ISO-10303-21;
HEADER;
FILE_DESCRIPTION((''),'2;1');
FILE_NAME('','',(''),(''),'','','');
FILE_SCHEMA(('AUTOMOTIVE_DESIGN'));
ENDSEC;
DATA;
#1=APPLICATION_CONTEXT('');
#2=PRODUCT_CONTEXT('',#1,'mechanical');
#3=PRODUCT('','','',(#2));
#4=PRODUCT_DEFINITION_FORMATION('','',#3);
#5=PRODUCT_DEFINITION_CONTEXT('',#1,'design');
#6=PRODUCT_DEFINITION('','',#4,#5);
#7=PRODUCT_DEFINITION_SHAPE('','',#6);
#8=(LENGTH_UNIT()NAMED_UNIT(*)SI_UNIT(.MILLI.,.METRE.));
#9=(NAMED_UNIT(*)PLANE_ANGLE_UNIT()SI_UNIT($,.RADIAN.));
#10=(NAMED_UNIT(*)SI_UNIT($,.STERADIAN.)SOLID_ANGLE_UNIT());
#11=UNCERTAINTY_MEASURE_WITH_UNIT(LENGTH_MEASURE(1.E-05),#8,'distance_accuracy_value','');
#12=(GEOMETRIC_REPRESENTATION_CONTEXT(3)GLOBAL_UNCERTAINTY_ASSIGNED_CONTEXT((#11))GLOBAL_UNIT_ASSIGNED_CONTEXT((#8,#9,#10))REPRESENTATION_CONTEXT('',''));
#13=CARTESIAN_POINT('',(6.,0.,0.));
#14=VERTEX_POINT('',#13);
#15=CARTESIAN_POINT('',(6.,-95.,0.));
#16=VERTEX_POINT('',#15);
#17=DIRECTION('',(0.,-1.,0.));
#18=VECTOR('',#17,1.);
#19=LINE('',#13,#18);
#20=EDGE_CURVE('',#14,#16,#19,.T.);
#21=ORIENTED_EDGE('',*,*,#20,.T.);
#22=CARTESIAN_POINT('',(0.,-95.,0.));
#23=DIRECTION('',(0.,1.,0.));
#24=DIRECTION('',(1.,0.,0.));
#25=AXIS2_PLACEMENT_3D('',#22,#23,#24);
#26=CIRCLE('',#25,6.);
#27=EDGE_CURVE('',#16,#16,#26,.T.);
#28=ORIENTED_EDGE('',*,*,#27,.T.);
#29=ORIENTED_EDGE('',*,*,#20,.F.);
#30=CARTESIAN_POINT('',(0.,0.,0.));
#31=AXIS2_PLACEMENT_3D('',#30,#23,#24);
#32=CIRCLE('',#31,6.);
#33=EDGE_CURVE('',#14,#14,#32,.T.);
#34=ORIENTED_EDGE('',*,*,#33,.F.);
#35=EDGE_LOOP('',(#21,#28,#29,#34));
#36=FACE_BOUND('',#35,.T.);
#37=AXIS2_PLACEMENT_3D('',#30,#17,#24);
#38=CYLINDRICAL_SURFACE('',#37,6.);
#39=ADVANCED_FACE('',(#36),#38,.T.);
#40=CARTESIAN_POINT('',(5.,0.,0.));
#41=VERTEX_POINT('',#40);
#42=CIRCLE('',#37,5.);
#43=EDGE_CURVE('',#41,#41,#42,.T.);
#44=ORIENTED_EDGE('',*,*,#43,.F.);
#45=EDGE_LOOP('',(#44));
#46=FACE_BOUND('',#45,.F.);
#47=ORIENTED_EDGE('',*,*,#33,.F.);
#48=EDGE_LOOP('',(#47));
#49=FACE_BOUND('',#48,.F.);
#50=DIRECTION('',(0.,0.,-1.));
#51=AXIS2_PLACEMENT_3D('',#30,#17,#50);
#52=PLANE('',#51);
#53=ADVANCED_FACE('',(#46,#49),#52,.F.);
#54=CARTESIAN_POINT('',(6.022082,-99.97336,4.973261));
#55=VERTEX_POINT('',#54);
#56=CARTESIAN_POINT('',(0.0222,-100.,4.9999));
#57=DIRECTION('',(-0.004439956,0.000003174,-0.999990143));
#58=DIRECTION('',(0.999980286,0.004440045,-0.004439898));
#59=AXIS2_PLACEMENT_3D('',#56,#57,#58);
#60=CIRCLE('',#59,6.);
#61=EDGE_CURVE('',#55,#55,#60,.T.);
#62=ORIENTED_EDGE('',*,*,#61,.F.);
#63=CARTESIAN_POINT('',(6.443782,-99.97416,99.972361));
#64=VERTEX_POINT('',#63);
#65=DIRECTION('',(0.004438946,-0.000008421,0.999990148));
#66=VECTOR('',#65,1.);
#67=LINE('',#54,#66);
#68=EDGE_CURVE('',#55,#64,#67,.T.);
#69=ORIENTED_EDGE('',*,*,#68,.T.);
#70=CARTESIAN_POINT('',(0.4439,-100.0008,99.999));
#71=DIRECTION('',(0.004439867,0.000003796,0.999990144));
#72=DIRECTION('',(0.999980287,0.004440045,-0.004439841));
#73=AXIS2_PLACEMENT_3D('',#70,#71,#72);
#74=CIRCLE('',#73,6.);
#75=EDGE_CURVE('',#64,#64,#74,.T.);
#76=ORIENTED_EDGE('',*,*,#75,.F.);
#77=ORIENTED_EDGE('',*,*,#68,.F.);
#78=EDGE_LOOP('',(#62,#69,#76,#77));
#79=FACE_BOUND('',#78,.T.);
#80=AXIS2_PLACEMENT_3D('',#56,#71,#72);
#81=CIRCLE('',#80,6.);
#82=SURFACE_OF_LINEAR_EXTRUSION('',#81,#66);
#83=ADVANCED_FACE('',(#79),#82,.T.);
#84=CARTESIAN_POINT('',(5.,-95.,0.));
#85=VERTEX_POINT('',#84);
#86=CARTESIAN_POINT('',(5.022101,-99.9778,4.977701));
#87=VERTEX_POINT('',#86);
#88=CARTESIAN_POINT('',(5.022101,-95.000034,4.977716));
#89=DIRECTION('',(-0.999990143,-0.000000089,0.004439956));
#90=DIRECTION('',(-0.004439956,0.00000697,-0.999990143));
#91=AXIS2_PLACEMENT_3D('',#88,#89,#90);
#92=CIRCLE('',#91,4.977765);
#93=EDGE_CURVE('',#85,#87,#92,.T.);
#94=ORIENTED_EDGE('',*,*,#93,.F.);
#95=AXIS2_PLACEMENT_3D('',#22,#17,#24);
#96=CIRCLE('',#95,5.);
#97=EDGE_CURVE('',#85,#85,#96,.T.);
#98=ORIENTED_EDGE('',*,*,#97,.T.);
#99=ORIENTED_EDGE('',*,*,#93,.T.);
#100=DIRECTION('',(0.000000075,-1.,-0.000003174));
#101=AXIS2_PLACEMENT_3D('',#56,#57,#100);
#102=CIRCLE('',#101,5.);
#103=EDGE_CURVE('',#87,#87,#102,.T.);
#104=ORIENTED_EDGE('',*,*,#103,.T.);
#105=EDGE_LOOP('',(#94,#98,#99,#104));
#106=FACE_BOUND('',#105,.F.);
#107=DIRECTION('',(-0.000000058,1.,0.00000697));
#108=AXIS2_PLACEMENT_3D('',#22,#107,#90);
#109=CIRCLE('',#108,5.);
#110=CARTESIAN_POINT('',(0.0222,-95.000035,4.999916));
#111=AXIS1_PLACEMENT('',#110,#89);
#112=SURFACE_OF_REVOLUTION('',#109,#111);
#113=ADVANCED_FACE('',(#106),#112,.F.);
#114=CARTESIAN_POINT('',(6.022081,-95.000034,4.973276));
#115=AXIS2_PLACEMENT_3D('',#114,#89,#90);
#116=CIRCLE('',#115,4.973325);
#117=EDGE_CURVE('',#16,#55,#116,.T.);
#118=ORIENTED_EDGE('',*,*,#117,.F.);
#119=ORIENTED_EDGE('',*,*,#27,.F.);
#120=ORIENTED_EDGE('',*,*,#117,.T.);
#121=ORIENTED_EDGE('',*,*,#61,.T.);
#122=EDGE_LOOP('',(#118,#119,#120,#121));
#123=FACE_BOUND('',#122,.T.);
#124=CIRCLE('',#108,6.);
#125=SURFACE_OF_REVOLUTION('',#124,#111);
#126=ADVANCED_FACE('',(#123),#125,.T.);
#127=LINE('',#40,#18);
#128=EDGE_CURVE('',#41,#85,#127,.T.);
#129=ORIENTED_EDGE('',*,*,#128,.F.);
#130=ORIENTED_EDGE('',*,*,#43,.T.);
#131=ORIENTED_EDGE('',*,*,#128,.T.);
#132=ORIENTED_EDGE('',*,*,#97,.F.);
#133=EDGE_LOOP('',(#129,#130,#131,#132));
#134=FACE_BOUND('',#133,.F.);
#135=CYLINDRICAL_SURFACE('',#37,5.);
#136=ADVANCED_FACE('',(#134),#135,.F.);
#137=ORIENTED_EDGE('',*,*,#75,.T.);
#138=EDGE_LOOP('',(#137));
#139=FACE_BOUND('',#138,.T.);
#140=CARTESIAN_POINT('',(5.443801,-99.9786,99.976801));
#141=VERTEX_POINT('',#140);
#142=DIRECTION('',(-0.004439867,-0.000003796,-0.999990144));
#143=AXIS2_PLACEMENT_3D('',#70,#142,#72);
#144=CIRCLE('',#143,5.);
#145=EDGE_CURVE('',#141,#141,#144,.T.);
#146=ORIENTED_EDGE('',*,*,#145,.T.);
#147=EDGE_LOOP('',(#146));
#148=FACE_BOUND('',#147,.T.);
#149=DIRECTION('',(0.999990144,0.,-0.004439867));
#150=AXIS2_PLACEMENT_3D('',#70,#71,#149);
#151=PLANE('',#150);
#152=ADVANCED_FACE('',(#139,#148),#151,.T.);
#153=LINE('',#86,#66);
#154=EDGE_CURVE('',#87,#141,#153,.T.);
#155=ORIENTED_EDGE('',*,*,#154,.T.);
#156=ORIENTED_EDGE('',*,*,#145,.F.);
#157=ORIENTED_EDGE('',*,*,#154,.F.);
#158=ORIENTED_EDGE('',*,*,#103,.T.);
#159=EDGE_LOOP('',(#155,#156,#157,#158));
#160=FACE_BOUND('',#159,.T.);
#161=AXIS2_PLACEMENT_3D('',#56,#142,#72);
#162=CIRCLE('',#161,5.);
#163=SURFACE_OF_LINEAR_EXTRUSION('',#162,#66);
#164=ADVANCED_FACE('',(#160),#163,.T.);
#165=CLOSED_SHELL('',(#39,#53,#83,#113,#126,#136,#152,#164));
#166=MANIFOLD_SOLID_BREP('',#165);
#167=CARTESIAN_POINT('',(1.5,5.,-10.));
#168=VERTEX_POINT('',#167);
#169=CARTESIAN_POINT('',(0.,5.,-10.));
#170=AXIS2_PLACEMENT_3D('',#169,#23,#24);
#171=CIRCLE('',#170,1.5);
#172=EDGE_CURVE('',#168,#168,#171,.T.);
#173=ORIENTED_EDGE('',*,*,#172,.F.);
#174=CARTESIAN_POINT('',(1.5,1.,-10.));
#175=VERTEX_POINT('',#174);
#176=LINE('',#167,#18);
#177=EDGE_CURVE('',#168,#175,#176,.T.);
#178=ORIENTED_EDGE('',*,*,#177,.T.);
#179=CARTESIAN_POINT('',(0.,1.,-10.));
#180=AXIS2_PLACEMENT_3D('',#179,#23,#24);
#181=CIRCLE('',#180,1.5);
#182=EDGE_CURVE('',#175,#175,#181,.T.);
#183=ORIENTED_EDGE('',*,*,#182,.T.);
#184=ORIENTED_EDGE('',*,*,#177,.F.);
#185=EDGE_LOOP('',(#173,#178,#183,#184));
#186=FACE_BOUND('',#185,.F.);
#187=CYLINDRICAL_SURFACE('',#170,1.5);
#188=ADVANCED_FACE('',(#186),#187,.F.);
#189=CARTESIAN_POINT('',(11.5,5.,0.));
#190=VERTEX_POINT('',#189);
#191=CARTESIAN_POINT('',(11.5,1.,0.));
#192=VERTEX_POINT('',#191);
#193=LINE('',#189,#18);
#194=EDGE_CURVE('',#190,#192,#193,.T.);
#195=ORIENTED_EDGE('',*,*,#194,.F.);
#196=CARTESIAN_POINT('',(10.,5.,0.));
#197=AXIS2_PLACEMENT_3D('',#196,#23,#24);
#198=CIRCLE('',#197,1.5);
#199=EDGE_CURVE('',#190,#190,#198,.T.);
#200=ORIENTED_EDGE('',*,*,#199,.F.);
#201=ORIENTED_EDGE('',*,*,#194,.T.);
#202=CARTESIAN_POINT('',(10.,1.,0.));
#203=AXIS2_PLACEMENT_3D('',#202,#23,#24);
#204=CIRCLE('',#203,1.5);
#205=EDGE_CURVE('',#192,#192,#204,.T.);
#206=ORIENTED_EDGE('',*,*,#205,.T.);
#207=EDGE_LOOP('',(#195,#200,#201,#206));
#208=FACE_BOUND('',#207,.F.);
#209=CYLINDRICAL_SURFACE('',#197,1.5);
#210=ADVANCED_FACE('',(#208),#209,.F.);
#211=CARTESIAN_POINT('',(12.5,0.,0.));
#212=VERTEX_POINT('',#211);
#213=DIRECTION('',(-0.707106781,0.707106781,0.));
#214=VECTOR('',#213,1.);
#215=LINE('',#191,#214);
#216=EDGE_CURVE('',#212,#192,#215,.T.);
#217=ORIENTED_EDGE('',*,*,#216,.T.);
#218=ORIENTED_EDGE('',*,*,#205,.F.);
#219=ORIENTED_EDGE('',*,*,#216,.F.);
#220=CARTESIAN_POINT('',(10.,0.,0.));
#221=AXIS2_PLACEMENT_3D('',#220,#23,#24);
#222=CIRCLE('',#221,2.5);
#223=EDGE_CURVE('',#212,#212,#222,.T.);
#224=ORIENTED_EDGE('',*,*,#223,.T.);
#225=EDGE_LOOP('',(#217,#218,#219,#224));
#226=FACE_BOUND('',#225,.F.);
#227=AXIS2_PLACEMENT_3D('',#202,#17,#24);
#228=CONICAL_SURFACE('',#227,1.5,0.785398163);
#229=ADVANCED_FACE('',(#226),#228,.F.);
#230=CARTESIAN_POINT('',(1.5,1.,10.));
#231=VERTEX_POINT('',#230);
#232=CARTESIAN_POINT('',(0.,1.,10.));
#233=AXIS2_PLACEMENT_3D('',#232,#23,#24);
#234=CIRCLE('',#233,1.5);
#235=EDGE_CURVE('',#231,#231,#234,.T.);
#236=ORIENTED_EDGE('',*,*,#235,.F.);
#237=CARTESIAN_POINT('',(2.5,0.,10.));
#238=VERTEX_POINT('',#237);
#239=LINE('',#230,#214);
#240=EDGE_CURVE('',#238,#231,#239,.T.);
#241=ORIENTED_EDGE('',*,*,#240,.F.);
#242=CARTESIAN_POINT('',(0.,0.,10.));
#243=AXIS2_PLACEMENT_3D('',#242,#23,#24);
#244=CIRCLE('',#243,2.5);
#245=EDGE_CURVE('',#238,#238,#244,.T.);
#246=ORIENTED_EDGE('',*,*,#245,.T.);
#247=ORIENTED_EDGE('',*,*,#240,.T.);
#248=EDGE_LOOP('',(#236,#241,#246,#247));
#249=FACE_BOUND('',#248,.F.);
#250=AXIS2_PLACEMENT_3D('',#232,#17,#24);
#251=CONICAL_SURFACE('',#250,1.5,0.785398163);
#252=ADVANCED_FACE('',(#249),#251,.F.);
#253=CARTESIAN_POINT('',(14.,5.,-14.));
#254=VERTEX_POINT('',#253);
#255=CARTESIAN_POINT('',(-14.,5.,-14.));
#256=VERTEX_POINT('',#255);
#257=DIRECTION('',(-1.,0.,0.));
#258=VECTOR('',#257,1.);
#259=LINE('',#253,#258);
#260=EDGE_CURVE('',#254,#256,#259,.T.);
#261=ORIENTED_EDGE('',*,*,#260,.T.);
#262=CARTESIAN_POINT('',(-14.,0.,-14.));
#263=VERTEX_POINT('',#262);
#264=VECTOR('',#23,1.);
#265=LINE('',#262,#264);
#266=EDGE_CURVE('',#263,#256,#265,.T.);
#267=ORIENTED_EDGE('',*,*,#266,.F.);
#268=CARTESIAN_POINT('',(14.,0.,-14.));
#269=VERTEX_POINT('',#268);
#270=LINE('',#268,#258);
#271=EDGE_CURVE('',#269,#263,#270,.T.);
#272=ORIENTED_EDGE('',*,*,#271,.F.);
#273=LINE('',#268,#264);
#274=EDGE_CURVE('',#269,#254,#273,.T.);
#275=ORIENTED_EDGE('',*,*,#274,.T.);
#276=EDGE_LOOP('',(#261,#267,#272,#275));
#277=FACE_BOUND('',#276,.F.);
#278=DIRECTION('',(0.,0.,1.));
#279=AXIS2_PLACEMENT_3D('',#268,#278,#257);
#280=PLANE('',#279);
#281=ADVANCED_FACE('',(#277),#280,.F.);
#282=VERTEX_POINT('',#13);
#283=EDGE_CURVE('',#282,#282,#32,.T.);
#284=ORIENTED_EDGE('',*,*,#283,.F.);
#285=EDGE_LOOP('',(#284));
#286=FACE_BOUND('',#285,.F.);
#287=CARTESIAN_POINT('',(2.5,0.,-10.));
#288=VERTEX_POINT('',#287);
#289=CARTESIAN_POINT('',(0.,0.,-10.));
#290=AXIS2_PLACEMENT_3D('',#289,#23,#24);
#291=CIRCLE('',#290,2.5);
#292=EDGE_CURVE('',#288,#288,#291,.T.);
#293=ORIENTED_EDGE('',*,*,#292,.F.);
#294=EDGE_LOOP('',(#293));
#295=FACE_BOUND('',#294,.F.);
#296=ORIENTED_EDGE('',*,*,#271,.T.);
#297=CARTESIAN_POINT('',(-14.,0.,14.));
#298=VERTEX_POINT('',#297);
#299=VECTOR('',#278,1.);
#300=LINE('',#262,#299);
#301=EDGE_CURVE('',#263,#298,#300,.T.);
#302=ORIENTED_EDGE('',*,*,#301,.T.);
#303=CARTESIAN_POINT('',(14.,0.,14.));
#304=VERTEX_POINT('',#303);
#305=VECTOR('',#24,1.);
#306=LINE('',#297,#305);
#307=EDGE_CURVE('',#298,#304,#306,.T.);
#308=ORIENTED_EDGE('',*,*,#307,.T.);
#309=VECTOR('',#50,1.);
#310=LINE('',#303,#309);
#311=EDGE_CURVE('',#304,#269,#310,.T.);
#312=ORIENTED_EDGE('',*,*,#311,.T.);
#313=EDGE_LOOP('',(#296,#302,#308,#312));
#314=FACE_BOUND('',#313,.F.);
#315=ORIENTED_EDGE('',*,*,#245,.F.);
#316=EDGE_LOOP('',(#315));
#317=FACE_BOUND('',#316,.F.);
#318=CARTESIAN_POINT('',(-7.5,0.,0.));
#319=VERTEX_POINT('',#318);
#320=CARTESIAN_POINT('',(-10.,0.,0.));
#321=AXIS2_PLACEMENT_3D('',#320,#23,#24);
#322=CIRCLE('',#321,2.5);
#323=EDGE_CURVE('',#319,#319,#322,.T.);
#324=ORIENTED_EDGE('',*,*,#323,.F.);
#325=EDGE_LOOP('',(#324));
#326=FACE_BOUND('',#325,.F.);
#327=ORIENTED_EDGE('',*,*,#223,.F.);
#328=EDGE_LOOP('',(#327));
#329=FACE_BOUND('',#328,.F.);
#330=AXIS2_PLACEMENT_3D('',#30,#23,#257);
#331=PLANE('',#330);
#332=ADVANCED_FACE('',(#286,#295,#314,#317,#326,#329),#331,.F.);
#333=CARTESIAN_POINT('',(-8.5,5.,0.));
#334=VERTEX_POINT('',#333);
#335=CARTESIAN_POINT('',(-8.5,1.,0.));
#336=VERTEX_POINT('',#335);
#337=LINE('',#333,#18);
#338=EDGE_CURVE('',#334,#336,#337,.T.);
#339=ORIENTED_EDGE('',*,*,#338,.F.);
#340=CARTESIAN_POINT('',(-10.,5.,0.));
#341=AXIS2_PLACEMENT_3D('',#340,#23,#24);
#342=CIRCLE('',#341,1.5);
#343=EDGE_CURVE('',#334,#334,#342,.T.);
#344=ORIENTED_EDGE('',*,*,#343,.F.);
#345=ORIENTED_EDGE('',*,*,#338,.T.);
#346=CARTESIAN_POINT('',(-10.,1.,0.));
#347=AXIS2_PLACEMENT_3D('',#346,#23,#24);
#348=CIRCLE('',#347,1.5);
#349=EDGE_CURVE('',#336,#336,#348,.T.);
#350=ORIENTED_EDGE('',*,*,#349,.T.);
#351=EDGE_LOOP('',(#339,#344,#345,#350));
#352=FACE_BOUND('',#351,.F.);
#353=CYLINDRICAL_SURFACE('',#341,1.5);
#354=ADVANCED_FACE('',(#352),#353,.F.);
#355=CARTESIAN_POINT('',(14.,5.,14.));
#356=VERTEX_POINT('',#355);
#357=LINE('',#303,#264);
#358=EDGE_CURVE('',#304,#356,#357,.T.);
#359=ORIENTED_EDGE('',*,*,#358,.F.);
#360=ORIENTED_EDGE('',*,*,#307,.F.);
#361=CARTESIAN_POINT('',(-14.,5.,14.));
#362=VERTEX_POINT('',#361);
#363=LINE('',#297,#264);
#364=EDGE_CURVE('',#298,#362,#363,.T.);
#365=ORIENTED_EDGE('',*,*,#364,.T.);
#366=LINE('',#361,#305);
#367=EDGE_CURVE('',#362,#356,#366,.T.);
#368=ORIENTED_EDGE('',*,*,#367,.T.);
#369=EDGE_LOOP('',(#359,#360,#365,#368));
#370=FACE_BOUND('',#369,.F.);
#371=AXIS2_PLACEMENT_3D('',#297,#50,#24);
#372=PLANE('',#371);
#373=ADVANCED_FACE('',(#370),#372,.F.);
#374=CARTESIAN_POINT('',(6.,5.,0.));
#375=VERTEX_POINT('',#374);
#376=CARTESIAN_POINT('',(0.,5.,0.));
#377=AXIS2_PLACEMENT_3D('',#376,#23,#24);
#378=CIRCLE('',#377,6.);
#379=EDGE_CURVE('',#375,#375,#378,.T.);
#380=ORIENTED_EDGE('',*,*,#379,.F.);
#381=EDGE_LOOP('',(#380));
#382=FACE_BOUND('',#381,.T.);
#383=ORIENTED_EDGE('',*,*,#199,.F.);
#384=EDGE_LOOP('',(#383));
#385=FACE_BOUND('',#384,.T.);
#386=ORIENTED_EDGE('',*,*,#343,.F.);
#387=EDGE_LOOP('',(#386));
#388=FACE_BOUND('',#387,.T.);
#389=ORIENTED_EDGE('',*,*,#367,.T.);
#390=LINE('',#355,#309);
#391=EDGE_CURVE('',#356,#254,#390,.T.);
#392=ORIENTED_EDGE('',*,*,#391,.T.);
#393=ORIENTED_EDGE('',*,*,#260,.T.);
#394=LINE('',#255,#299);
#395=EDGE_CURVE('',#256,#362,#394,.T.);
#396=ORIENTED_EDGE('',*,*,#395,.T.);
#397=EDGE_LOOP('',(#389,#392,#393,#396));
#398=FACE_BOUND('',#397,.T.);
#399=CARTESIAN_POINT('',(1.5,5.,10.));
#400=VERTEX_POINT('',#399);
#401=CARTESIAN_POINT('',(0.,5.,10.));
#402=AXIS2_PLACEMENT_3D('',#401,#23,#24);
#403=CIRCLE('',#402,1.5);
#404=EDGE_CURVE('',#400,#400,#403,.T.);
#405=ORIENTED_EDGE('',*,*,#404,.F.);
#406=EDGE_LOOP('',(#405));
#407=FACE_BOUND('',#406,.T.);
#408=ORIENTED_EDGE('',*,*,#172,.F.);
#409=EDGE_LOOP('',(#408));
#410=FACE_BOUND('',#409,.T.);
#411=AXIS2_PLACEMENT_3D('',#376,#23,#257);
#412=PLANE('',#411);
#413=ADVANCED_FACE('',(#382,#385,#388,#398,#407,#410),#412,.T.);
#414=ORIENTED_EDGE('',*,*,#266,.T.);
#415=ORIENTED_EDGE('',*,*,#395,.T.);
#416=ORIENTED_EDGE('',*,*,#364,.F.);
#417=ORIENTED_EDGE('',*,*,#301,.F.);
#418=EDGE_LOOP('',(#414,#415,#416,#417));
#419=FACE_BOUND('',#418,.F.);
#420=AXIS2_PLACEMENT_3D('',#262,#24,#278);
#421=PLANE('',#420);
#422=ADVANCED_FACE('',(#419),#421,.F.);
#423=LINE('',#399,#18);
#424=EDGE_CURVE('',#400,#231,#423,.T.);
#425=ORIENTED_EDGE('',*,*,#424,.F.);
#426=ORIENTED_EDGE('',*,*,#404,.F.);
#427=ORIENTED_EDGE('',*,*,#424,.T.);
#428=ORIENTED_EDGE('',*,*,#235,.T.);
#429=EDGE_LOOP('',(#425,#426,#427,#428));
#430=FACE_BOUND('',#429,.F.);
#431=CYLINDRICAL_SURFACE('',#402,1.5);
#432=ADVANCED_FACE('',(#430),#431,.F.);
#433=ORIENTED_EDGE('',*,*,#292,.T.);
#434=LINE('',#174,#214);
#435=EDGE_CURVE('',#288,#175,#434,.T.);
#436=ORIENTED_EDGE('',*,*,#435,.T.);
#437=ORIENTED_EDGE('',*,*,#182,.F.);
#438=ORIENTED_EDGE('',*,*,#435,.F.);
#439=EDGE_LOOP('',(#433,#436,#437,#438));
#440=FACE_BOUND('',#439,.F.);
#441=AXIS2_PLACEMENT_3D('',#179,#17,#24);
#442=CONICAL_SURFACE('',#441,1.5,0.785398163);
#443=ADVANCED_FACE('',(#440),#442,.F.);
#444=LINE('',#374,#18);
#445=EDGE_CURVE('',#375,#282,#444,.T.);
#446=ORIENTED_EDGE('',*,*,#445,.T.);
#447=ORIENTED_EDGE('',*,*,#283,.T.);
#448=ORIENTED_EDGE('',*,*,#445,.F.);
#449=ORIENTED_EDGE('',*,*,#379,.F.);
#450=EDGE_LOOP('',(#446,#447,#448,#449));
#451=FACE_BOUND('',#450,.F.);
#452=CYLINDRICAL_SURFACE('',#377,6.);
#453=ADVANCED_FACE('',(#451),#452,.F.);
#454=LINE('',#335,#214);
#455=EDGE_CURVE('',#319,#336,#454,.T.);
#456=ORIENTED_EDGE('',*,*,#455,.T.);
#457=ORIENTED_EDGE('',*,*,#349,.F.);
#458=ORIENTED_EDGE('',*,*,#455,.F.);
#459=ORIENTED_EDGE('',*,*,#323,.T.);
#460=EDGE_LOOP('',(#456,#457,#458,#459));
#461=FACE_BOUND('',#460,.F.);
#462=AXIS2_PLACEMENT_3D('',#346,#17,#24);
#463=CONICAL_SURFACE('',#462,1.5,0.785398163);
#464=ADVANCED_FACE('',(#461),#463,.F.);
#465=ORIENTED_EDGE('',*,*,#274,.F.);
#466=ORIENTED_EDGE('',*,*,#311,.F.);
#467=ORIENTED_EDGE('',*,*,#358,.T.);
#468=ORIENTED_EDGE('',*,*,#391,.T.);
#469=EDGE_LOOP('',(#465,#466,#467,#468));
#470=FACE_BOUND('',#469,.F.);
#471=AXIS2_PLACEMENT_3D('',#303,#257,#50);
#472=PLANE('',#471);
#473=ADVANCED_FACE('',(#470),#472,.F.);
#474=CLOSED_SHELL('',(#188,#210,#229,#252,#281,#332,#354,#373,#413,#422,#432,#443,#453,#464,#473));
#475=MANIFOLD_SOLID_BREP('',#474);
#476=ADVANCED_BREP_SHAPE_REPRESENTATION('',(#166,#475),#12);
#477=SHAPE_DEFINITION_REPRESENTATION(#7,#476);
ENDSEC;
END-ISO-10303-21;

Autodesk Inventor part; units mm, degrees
ref_plane "YZ Plane" through (0, 0, 0) normal (1, 0, 0) x (0, 1, 0)
ref_plane "XZ Plane" through (0, 0, 0) normal (0, 1, 0) x (-1, 0, 0)
ref_plane "XY Plane" through (0, 0, 0) normal (0, 0, 1) x (1, 0, 0)
sketch "Sketch1" plane through (0, 0, 0) normal (0, 1, 0) x (-1, 0, 0)
  line L0 (14, 14) -> (-14, 14)
  line L1 (-14, 14) -> (-14, -14)
  line L2 (-14, -14) -> (14, -14)
  line L3 (14, -14) -> (14, 14)
  point P0 (0, 0)
  point P1 (0, -14)
  dimension "d0" = 28
  dimension "d1" = 28
  dimension "d2" = 14
  dimension "d3" = 14
extrude "Extrusion1" add sketch "Sketch1" along normal blind 5
sketch "Sketch2" plane through (0, 5, 0) normal (0, 1, 0) x (1, 0, 0)
  circle A0 centre (0, 0) radius 6
  circle A1 centre (-10, 0) radius 1.5
  circle A2 centre (0, -10) radius 1.5
  circle A3 centre (10, 0) radius 1.5
  circle A4 centre (0, 10) radius 1.5
  dimension "d6" = 12
  dimension "d7" = 3
  dimension "d8" = 10
  dimension "d11" = 360
extrude "Extrusion2" cut sketch "Sketch2" against normal blind 5
ref_plane "Work Plane1" through (14, 0, 0) normal (0, 0, -1) x (-1, 0, 0)
sketch "Sketch3" plane through (14, 0, 0) normal (0, 0, -1) x (-1, 0, 0)
  point P0 (14, 0)
sketch "Sketch4" plane through (0, 0, 0) normal (0, -1, 0) x (1, 0, 0)
  circle A0 centre (0, 0) radius 6
  circle A1 centre (0, 0) radius 5
  dimension "d19" = 10
  dimension "d22" = 12
sketch3d "3D Sketch1"
  line L0 (0, 0, 0) -> (0, -95, 0)
  arc A0 (0, -95, 0) -> (0.0222, -100, 4.9999) centre (0.0222, -95, 5) ccw
  line L1 (0.0222, -100, 4.9999) -> (0.4439, -100.0008, 99.999)
  dimension "d16" = 100
  dimension "d17" = 100
  dimension "d18" = 5
sweep "Sweep1" add profiles "Sketch4" path "3D Sketch1"
chamfer "Chamfer1" distance 1 angle 45 4 edges at (8.5, 0, 0) (-1.5, 0, 10) (-1.5, 0, -10) (-11.5, 0, 0)
ref_plane "Work Plane2" through (-14, 0, 29) normal (0, 0, 1) x (1, 0, 0)
properties part number "water tube to pump"
